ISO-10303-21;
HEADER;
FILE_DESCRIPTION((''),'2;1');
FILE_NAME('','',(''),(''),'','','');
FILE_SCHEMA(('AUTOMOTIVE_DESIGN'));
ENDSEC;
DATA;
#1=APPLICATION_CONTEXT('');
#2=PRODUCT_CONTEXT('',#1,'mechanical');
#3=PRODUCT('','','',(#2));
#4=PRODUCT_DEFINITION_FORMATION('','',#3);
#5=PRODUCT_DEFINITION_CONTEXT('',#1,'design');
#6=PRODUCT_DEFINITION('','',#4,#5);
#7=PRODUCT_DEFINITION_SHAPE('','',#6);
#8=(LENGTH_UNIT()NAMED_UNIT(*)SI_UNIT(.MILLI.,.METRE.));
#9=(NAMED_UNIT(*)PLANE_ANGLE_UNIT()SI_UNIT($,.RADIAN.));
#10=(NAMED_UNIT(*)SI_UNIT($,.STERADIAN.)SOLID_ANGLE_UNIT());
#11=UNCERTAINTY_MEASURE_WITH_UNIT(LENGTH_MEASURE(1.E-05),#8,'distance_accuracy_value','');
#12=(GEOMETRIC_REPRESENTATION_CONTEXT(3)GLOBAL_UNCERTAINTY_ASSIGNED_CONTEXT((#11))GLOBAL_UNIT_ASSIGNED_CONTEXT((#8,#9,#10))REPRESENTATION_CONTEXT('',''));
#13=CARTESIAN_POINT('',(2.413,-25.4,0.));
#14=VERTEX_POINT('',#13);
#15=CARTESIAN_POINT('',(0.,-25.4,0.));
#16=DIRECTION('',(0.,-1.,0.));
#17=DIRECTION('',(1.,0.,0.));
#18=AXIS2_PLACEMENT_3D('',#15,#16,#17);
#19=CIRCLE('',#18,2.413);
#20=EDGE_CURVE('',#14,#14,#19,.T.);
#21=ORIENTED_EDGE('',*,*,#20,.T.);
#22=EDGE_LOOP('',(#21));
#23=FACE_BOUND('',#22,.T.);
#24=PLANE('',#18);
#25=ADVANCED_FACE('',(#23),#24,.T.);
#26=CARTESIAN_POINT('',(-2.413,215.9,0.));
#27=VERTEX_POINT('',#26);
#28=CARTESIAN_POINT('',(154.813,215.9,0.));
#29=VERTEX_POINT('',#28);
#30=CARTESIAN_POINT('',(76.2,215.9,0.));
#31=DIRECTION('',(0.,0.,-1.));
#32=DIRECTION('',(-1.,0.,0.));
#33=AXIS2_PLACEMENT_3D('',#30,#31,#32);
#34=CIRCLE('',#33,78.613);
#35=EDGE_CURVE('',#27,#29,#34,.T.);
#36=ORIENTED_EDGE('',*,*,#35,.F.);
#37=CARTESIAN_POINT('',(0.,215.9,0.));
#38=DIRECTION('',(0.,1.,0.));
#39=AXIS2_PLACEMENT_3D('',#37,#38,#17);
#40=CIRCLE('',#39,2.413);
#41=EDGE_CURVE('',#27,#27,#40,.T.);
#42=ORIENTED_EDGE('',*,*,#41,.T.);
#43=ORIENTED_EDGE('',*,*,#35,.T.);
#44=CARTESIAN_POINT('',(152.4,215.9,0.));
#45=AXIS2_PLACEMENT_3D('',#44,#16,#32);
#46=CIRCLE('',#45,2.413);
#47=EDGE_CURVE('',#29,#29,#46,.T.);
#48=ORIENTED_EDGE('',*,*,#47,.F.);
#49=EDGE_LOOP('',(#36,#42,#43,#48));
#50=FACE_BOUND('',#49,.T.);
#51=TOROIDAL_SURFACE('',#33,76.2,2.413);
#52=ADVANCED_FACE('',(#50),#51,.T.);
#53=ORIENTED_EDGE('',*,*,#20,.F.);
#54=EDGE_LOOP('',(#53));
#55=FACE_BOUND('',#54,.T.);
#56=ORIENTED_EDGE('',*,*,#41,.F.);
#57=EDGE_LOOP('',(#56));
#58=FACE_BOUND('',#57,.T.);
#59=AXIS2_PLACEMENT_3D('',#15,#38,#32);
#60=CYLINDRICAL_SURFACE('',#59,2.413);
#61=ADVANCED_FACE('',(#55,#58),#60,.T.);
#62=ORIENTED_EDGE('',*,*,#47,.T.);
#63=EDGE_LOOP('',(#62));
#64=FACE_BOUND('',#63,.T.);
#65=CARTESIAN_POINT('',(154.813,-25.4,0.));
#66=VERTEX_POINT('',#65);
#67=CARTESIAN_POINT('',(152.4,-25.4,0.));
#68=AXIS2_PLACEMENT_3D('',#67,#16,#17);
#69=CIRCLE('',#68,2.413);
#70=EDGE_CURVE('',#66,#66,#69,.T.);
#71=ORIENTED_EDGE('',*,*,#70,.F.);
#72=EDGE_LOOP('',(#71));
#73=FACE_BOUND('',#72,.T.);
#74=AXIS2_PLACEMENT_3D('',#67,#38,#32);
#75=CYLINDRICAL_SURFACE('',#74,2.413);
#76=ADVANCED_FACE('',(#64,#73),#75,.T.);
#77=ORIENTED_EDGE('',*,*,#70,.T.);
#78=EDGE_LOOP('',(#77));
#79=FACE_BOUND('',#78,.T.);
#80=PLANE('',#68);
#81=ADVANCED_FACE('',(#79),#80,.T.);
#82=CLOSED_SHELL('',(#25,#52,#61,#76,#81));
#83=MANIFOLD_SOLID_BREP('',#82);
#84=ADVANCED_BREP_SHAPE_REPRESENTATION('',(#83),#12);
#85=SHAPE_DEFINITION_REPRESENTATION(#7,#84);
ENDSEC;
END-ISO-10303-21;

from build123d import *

# Parameters (mm, degrees)
SKETCH1_R           = 2.413
REVOLVE1_ANGLE      = 180
SKETCH2_R           = 2.413
BOSS_EXTRUDE1_DEPTH = 241.3
SKETCH3_R           = 2.413
BOSS_EXTRUDE2_DEPTH = 241.3


with BuildPart() as part:
    # Sketch1 → Revolve1 (revolve)
    with BuildSketch(Plane.XZ.offset(-215.9)):
        with Locations((152.4, 0)):
            Circle(SKETCH1_R)
    revolve(axis=Axis((76.2, 215.9, 2.413), (0, 0, 1)), revolution_arc=REVOLVE1_ANGLE)

    # Sketch2 → Boss-Extrude1 (add)
    with BuildSketch(Plane.XZ.offset(-215.9)):
        with Locations((152.4, 0)):
            Circle(SKETCH2_R)
    extrude(amount=BOSS_EXTRUDE1_DEPTH)

    # Sketch3 → Boss-Extrude2 (add)
    with BuildSketch(Plane.XZ.offset(-215.9)):
        Circle(SKETCH3_R)
    extrude(amount=BOSS_EXTRUDE2_DEPTH)


solid = part.part
